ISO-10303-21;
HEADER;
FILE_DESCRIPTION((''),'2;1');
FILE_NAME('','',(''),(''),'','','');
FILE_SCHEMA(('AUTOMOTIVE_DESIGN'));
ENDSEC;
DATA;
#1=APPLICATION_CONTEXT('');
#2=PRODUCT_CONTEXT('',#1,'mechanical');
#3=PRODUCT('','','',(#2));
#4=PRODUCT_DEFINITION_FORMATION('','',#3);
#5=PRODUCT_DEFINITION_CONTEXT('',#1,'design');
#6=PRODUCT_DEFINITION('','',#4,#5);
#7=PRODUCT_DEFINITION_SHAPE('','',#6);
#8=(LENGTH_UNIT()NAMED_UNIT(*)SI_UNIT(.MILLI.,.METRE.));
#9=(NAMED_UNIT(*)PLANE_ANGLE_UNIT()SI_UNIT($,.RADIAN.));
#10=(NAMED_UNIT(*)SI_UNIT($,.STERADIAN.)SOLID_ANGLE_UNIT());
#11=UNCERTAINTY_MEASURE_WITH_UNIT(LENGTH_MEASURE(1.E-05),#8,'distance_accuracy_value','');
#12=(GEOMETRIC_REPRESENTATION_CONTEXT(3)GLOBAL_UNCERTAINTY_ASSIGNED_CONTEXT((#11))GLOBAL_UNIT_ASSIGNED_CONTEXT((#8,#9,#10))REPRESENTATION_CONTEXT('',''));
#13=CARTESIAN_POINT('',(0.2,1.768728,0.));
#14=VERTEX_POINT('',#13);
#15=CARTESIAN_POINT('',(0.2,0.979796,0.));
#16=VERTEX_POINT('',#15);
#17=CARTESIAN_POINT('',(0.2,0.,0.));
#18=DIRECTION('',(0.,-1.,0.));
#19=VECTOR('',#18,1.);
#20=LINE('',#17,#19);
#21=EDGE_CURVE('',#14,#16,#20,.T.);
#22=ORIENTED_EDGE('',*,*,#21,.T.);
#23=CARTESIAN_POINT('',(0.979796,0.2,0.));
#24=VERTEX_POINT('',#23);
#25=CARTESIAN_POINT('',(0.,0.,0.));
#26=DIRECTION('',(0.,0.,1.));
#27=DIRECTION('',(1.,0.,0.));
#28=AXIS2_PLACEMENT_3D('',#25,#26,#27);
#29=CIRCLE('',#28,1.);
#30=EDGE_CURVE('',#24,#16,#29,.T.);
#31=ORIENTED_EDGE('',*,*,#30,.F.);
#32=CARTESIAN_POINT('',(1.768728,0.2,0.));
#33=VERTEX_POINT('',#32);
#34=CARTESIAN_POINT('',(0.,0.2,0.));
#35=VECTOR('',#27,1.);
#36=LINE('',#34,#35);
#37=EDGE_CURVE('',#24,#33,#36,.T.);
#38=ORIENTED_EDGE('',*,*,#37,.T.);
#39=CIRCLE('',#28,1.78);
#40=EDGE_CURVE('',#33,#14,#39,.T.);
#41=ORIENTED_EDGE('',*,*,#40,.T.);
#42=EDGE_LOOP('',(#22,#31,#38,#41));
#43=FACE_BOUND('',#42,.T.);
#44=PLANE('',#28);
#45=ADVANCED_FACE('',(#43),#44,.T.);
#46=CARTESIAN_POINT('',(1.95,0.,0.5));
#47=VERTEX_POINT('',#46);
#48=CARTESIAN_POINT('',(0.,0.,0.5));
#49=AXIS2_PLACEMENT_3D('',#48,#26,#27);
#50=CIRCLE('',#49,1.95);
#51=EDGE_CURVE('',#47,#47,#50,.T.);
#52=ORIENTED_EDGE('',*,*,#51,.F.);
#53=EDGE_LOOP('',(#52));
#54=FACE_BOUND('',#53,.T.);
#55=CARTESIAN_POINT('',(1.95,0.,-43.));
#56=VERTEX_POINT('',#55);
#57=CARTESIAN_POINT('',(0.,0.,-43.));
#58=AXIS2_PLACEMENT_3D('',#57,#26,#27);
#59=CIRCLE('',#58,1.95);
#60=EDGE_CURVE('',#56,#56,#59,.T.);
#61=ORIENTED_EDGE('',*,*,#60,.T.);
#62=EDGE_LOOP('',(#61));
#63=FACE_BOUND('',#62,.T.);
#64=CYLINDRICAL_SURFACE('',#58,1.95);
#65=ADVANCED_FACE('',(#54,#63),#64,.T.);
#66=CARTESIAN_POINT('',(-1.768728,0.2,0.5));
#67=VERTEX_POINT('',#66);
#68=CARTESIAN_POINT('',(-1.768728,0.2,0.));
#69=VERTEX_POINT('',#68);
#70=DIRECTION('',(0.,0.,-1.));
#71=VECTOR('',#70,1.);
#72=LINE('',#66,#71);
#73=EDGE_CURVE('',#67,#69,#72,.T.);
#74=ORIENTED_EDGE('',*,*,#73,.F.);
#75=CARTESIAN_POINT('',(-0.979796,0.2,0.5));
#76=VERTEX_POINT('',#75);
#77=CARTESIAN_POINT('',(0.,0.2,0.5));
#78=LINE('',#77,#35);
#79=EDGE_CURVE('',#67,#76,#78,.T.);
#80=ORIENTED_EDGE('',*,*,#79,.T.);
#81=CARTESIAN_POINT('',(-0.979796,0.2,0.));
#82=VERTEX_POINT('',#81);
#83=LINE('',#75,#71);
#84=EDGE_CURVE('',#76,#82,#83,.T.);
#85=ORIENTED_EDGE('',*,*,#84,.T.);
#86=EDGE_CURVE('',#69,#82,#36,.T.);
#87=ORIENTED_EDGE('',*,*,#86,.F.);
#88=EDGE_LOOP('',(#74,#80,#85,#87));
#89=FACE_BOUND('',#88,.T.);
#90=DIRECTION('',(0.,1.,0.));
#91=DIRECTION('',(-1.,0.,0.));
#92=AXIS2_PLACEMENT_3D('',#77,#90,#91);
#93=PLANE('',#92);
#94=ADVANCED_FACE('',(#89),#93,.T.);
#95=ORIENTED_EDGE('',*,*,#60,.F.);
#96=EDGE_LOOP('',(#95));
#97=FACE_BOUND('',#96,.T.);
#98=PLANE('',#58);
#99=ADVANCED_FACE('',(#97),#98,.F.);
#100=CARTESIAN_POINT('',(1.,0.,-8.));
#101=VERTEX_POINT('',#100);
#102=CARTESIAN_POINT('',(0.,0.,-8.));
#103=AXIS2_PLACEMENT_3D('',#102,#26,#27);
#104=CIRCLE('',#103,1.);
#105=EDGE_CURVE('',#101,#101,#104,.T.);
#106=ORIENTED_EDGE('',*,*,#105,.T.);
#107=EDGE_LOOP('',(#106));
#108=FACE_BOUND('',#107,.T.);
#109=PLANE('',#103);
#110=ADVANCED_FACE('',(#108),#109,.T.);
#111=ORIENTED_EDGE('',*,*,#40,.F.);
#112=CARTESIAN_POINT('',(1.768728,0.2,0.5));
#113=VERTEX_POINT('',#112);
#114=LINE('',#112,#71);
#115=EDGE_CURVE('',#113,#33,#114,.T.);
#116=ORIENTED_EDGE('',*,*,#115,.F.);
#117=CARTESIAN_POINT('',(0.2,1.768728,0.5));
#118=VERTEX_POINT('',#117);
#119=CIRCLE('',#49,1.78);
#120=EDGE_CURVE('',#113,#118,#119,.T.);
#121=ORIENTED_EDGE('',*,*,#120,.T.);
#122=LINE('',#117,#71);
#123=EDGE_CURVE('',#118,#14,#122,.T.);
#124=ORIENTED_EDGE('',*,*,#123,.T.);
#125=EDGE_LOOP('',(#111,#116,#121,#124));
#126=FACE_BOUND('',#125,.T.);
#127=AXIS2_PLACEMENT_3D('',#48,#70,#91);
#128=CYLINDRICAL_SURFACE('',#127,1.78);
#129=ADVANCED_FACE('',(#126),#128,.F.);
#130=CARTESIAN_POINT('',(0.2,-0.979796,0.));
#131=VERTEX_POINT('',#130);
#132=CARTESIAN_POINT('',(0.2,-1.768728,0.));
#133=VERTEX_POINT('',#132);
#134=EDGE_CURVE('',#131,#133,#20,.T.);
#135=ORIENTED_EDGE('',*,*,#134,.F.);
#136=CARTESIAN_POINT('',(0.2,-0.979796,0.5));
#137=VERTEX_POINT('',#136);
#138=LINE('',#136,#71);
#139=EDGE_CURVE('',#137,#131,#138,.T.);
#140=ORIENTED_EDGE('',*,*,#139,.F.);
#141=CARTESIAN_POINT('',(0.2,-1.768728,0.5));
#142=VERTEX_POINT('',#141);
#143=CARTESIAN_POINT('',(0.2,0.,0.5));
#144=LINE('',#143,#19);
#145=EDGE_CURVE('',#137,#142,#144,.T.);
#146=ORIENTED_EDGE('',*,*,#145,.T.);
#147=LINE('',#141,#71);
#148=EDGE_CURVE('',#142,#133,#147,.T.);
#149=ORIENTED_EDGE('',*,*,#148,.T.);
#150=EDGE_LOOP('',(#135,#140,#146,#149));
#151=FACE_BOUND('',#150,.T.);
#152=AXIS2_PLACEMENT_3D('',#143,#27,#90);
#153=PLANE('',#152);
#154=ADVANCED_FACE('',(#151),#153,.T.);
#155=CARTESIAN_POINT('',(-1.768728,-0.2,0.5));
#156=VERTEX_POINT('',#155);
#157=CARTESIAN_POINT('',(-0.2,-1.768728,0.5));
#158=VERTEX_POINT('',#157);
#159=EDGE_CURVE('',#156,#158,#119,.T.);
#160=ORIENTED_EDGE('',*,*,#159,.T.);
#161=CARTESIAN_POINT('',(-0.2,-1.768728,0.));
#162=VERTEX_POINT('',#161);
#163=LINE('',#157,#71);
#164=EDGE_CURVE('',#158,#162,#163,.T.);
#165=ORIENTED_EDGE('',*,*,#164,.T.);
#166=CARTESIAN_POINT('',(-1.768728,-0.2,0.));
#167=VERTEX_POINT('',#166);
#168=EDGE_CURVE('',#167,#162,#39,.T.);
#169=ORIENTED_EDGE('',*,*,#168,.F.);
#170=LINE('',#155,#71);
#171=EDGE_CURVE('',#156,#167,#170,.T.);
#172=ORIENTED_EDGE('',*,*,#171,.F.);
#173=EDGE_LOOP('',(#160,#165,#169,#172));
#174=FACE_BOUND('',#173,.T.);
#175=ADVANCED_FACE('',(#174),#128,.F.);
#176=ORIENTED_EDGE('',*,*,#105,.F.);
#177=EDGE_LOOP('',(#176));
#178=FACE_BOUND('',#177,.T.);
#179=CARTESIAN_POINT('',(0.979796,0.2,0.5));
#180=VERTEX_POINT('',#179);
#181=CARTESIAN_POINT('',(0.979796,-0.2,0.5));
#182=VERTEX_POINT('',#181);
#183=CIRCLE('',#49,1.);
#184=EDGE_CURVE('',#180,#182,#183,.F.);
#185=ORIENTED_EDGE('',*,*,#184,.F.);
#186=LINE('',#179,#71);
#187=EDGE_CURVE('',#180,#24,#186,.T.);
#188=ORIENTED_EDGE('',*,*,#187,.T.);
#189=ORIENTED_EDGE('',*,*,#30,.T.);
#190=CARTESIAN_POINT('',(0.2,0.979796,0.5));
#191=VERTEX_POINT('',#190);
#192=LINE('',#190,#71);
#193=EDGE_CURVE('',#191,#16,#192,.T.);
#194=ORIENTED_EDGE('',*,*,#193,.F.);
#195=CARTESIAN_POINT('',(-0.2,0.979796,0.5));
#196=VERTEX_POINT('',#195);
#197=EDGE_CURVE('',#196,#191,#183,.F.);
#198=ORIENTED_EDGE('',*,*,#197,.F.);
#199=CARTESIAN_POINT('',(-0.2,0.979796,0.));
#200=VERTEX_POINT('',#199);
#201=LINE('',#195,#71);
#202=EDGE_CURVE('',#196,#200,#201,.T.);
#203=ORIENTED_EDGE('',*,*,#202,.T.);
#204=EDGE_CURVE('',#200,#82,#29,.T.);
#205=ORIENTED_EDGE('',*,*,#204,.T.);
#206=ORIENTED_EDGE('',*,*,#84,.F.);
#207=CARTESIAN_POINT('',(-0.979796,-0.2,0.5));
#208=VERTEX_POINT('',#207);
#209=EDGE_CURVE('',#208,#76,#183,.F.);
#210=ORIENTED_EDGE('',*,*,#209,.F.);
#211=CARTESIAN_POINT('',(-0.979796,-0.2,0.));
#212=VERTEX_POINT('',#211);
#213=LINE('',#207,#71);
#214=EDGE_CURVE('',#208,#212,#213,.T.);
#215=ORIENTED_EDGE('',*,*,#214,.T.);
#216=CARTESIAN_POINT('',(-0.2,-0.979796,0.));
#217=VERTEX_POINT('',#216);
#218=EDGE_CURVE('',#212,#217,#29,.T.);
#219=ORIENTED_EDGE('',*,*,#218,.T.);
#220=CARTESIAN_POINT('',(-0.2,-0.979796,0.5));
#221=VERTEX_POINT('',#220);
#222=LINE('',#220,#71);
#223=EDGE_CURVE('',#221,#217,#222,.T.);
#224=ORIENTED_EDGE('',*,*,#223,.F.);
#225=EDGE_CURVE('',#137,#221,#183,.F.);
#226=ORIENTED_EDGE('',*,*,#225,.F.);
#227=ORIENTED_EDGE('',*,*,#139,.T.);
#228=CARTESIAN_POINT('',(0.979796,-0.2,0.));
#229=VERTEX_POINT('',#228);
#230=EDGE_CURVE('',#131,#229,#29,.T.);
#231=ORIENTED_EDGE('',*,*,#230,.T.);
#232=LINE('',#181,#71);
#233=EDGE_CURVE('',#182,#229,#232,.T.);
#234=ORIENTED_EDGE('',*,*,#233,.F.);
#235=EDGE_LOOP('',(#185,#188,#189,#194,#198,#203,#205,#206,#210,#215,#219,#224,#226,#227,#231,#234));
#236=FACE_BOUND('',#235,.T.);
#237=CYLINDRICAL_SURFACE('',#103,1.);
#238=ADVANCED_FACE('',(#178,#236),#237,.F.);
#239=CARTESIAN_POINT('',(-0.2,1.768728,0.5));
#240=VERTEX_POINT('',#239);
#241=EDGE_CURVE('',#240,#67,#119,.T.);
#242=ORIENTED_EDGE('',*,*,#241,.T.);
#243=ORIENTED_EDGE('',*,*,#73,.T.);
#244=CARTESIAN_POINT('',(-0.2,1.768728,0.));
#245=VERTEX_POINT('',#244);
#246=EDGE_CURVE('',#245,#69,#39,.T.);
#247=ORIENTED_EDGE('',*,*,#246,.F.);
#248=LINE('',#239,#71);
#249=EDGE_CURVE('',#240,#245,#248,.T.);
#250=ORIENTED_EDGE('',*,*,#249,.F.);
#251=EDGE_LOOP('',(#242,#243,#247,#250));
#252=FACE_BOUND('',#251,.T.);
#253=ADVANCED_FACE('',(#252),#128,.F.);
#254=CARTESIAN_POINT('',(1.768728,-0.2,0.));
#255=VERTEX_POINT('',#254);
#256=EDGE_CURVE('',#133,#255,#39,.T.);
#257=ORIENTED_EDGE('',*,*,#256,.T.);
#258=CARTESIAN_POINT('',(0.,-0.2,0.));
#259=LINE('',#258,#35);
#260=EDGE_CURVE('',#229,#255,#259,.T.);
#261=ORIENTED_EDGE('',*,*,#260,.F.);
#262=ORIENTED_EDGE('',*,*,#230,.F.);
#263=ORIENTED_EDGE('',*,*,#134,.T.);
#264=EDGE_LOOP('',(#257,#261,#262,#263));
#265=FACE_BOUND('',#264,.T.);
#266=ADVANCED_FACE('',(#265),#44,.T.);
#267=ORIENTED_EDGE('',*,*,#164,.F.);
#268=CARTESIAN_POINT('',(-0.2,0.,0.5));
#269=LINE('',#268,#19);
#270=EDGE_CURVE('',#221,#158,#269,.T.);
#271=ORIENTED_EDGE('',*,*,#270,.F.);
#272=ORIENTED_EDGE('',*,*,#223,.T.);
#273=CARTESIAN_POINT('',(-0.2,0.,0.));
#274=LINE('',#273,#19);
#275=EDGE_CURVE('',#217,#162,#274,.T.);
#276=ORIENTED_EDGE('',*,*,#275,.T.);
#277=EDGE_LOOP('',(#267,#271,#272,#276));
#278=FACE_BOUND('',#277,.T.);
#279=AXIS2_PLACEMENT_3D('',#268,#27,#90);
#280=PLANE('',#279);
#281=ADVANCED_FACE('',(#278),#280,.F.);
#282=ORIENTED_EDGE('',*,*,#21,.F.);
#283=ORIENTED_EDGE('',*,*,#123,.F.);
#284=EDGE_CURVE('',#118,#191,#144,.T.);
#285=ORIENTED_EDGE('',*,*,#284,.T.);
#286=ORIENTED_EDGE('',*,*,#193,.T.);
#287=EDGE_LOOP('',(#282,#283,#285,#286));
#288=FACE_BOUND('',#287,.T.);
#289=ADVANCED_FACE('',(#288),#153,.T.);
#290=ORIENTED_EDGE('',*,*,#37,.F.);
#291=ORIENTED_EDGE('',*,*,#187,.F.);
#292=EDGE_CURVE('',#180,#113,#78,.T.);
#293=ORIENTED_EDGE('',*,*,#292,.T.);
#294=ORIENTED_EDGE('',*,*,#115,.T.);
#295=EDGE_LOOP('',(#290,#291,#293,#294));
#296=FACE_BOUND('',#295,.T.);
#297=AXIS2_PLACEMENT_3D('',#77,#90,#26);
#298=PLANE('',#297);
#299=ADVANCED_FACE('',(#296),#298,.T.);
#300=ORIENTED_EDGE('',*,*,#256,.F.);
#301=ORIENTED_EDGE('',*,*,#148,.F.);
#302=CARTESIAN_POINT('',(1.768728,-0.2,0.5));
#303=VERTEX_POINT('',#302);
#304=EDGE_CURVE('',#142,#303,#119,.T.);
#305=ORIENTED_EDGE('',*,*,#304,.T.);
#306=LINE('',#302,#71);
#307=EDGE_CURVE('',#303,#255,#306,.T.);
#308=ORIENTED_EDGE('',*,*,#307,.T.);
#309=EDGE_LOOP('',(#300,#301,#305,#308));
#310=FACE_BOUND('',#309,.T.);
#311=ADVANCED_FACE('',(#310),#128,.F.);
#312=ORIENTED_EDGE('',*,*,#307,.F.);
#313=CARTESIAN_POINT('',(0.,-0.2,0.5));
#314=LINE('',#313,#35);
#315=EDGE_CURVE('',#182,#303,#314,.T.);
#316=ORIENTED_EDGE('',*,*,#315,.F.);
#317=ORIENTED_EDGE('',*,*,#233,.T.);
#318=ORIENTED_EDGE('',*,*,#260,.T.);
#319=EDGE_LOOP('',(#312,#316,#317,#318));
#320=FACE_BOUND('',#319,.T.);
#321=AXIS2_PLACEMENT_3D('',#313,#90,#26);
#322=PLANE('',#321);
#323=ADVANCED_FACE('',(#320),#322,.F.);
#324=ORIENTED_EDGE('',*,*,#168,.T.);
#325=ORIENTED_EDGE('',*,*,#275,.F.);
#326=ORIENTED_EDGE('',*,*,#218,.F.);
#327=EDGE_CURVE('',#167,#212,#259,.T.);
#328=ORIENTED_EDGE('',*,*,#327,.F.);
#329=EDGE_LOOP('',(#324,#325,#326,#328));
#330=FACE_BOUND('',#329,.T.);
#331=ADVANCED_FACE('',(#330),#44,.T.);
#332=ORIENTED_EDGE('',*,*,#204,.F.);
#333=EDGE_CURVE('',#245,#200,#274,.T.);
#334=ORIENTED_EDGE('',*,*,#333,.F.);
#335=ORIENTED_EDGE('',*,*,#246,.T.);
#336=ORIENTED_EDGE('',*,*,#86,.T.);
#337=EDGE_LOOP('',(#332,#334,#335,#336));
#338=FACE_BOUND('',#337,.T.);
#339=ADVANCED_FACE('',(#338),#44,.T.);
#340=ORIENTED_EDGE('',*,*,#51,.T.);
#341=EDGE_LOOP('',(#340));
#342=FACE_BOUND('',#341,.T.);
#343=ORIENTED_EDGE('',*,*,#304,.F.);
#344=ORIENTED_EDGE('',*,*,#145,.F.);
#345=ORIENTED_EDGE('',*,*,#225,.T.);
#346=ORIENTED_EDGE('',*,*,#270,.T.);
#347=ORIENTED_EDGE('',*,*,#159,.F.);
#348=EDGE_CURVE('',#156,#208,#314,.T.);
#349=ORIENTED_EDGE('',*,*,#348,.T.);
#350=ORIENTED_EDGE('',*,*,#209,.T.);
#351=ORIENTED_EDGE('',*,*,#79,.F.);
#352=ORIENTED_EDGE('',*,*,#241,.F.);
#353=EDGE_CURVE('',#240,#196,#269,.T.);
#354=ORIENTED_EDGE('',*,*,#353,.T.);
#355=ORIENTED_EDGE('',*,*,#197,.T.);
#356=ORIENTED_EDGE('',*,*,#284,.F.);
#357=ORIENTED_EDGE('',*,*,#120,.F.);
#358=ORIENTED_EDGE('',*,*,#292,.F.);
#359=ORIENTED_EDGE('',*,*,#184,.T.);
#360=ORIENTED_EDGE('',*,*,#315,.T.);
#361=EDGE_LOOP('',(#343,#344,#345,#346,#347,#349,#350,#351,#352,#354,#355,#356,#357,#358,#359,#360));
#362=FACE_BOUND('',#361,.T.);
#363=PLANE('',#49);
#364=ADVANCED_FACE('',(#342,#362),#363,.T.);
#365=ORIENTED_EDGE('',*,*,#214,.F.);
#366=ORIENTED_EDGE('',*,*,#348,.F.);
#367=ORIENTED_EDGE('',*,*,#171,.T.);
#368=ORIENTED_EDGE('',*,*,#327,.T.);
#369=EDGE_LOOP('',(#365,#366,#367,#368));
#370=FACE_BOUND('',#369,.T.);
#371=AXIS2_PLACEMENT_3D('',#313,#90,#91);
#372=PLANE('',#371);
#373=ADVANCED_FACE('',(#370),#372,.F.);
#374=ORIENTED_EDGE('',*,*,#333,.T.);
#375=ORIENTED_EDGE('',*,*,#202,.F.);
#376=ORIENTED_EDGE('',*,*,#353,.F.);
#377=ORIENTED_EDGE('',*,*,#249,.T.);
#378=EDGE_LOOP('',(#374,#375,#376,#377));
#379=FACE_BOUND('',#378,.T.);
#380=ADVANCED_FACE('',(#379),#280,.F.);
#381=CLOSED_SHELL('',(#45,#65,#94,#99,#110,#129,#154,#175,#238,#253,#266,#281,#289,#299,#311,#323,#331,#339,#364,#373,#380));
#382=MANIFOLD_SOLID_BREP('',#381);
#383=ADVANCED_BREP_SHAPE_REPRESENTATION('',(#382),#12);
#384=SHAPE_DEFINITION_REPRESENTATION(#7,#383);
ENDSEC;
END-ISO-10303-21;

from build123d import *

# Parameters (mm, degrees)
SKETCH_1_R          = 1.95
EXTRUDE_1_DEPTH     = 43
SKETCH_3_R          = 1
CUT_EXTRUDE_1_DEPTH = 8
EXTRUDE_START       = 0.5
EXTRUDE_3_DEPTH     = 0.5


with BuildPart() as part:
    # 草图1 → 凸台-拉伸1 (new body)
    with BuildSketch(Plane.XY):
        Circle(SKETCH_1_R)
    extrude(amount=-EXTRUDE_1_DEPTH)

    # 草图3 → 切除-拉伸1 (cut)
    with BuildSketch(Plane.XY):
        Circle(SKETCH_3_R)
    extrude(amount=-CUT_EXTRUDE_1_DEPTH, mode=Mode.SUBTRACT)

    # 草图4 → 凸台-拉伸3 (add)
    with BuildSketch(Plane.XY.offset(EXTRUDE_START)):
        with BuildLine():
            Line((-1.768728357, 0.2), (-1.939716474, 0.2))
            ThreePointArc((-1.939716474, 0.2), (-1.95, 0), (-1.939716474, -0.2))
            Line((-1.939716474, -0.2), (-1.768728357, -0.2))
            ThreePointArc((-1.768728357, -0.2), (-1.78, 0), (-1.768728357, 0.2))
        make_face()
        with BuildLine():
            ThreePointArc((1.95, 0), (1.947427422, 0.100132101), (1.939716474, 0.2))
            Line((1.939716474, 0.2), (1.768728357, 0.2))
            ThreePointArc((1.768728357, 0.2), (1.777179855, 0.100158687), (1.78, 0))
            ThreePointArc((1.78, 0), (1.777179855, -0.100158687), (1.768728357, -0.2))
            Line((1.768728357, -0.2), (1.939716474, -0.2))
            ThreePointArc((1.939716474, -0.2), (1.947427422, -0.100132101), (1.95, 0))
        make_face()
        with BuildLine():
            Line((0.2, -1.768728357), (0.2, -1.939716474))
            ThreePointArc((0.2, -1.939716474), (1.378858223, -1.378858223), (1.939716474, -0.2))
            Line((1.939716474, -0.2), (1.768728357, -0.2))
            ThreePointArc((1.768728357, -0.2), (1.258650071, -1.258650071), (0.2, -1.768728357))
        make_face()
        with BuildLine():
            Line((-0.2, -1.768728357), (-0.2, -1.939716474))
            ThreePointArc((-0.2, -1.939716474), (0, -1.95), (0.2, -1.939716474))
            Line((0.2, -1.939716474), (0.2, -1.768728357))
            ThreePointArc((0.2, -1.768728357), (0, -1.78), (-0.2, -1.768728357))
        make_face()
        with BuildLine():
            Line((-1.768728357, -0.2), (-1.939716474, -0.2))
            ThreePointArc((-1.939716474, -0.2), (-1.378858223, -1.378858223), (-0.2, -1.939716474))
            Line((-0.2, -1.939716474), (-0.2, -1.768728357))
            ThreePointArc((-0.2, -1.768728357), (-1.258650071, -1.258650071), (-1.768728357, -0.2))
        make_face()
        with BuildLine():
            ThreePointArc((-0.2, 1.939716474), (-1.378858223, 1.378858223), (-1.939716474, 0.2))
            Line((-1.939716474, 0.2), (-1.768728357, 0.2))
            ThreePointArc((-1.768728357, 0.2), (-1.258650071, 1.258650071), (-0.2, 1.768728357))
            Line((-0.2, 1.768728357), (-0.2, 1.939716474))
        make_face()
        with BuildLine():
            ThreePointArc((1.939716474, 0.2), (1.378858223, 1.378858223), (0.2, 1.939716474))
            Line((0.2, 1.939716474), (0.2, 1.768728357))
            ThreePointArc((0.2, 1.768728357), (1.258650071, 1.258650071), (1.768728357, 0.2))
            Line((1.768728357, 0.2), (1.939716474, 0.2))
        make_face()
        with BuildLine():
            ThreePointArc((0.2, 1.939716474), (0, 1.95), (-0.2, 1.939716474))
            Line((-0.2, 1.939716474), (-0.2, 1.768728357))
            ThreePointArc((-0.2, 1.768728357), (0, 1.78), (0.2, 1.768728357))
            Line((0.2, 1.768728357), (0.2, 1.939716474))
        make_face()
        with BuildLine():
            Line((-0.979795897, 0.2), (-1.768728357, 0.2))
            ThreePointArc((-1.768728357, 0.2), (-1.78, 0), (-1.768728357, -0.2))
            Line((-1.768728357, -0.2), (-0.979795897, -0.2))
            ThreePointArc((-0.979795897, -0.2), (-1, 0), (-0.979795897, 0.2))
        make_face()
        with BuildLine():
            ThreePointArc((1.78, 0), (1.777179855, 0.100158687), (1.768728357, 0.2))
            Line((1.768728357, 0.2), (0.979795897, 0.2))
            ThreePointArc((0.979795897, 0.2), (0.994936153, 0.100508962), (1, 0))
            ThreePointArc((1, 0), (0.994936153, -0.100508962), (0.979795897, -0.2))
            Line((0.979795897, -0.2), (1.768728357, -0.2))
            ThreePointArc((1.768728357, -0.2), (1.777179855, -0.100158687), (1.78, 0))
        make_face()
        with BuildLine():
            ThreePointArc((0.2, 1.768728357), (0, 1.78), (-0.2, 1.768728357))
            Line((-0.2, 1.768728357), (-0.2, 0.979795897))
            ThreePointArc((-0.2, 0.979795897), (0, 1), (0.2, 0.979795897))
            Line((0.2, 0.979795897), (0.2, 1.768728357))
        make_face()
        with BuildLine():
            Line((-0.2, -0.979795897), (-0.2, -1.768728357))
            ThreePointArc((-0.2, -1.768728357), (0, -1.78), (0.2, -1.768728357))
            Line((0.2, -1.768728357), (0.2, -0.979795897))
            ThreePointArc((0.2, -0.979795897), (0, -1), (-0.2, -0.979795897))
        make_face()
    extrude(amount=-EXTRUDE_3_DEPTH)


solid = part.part
